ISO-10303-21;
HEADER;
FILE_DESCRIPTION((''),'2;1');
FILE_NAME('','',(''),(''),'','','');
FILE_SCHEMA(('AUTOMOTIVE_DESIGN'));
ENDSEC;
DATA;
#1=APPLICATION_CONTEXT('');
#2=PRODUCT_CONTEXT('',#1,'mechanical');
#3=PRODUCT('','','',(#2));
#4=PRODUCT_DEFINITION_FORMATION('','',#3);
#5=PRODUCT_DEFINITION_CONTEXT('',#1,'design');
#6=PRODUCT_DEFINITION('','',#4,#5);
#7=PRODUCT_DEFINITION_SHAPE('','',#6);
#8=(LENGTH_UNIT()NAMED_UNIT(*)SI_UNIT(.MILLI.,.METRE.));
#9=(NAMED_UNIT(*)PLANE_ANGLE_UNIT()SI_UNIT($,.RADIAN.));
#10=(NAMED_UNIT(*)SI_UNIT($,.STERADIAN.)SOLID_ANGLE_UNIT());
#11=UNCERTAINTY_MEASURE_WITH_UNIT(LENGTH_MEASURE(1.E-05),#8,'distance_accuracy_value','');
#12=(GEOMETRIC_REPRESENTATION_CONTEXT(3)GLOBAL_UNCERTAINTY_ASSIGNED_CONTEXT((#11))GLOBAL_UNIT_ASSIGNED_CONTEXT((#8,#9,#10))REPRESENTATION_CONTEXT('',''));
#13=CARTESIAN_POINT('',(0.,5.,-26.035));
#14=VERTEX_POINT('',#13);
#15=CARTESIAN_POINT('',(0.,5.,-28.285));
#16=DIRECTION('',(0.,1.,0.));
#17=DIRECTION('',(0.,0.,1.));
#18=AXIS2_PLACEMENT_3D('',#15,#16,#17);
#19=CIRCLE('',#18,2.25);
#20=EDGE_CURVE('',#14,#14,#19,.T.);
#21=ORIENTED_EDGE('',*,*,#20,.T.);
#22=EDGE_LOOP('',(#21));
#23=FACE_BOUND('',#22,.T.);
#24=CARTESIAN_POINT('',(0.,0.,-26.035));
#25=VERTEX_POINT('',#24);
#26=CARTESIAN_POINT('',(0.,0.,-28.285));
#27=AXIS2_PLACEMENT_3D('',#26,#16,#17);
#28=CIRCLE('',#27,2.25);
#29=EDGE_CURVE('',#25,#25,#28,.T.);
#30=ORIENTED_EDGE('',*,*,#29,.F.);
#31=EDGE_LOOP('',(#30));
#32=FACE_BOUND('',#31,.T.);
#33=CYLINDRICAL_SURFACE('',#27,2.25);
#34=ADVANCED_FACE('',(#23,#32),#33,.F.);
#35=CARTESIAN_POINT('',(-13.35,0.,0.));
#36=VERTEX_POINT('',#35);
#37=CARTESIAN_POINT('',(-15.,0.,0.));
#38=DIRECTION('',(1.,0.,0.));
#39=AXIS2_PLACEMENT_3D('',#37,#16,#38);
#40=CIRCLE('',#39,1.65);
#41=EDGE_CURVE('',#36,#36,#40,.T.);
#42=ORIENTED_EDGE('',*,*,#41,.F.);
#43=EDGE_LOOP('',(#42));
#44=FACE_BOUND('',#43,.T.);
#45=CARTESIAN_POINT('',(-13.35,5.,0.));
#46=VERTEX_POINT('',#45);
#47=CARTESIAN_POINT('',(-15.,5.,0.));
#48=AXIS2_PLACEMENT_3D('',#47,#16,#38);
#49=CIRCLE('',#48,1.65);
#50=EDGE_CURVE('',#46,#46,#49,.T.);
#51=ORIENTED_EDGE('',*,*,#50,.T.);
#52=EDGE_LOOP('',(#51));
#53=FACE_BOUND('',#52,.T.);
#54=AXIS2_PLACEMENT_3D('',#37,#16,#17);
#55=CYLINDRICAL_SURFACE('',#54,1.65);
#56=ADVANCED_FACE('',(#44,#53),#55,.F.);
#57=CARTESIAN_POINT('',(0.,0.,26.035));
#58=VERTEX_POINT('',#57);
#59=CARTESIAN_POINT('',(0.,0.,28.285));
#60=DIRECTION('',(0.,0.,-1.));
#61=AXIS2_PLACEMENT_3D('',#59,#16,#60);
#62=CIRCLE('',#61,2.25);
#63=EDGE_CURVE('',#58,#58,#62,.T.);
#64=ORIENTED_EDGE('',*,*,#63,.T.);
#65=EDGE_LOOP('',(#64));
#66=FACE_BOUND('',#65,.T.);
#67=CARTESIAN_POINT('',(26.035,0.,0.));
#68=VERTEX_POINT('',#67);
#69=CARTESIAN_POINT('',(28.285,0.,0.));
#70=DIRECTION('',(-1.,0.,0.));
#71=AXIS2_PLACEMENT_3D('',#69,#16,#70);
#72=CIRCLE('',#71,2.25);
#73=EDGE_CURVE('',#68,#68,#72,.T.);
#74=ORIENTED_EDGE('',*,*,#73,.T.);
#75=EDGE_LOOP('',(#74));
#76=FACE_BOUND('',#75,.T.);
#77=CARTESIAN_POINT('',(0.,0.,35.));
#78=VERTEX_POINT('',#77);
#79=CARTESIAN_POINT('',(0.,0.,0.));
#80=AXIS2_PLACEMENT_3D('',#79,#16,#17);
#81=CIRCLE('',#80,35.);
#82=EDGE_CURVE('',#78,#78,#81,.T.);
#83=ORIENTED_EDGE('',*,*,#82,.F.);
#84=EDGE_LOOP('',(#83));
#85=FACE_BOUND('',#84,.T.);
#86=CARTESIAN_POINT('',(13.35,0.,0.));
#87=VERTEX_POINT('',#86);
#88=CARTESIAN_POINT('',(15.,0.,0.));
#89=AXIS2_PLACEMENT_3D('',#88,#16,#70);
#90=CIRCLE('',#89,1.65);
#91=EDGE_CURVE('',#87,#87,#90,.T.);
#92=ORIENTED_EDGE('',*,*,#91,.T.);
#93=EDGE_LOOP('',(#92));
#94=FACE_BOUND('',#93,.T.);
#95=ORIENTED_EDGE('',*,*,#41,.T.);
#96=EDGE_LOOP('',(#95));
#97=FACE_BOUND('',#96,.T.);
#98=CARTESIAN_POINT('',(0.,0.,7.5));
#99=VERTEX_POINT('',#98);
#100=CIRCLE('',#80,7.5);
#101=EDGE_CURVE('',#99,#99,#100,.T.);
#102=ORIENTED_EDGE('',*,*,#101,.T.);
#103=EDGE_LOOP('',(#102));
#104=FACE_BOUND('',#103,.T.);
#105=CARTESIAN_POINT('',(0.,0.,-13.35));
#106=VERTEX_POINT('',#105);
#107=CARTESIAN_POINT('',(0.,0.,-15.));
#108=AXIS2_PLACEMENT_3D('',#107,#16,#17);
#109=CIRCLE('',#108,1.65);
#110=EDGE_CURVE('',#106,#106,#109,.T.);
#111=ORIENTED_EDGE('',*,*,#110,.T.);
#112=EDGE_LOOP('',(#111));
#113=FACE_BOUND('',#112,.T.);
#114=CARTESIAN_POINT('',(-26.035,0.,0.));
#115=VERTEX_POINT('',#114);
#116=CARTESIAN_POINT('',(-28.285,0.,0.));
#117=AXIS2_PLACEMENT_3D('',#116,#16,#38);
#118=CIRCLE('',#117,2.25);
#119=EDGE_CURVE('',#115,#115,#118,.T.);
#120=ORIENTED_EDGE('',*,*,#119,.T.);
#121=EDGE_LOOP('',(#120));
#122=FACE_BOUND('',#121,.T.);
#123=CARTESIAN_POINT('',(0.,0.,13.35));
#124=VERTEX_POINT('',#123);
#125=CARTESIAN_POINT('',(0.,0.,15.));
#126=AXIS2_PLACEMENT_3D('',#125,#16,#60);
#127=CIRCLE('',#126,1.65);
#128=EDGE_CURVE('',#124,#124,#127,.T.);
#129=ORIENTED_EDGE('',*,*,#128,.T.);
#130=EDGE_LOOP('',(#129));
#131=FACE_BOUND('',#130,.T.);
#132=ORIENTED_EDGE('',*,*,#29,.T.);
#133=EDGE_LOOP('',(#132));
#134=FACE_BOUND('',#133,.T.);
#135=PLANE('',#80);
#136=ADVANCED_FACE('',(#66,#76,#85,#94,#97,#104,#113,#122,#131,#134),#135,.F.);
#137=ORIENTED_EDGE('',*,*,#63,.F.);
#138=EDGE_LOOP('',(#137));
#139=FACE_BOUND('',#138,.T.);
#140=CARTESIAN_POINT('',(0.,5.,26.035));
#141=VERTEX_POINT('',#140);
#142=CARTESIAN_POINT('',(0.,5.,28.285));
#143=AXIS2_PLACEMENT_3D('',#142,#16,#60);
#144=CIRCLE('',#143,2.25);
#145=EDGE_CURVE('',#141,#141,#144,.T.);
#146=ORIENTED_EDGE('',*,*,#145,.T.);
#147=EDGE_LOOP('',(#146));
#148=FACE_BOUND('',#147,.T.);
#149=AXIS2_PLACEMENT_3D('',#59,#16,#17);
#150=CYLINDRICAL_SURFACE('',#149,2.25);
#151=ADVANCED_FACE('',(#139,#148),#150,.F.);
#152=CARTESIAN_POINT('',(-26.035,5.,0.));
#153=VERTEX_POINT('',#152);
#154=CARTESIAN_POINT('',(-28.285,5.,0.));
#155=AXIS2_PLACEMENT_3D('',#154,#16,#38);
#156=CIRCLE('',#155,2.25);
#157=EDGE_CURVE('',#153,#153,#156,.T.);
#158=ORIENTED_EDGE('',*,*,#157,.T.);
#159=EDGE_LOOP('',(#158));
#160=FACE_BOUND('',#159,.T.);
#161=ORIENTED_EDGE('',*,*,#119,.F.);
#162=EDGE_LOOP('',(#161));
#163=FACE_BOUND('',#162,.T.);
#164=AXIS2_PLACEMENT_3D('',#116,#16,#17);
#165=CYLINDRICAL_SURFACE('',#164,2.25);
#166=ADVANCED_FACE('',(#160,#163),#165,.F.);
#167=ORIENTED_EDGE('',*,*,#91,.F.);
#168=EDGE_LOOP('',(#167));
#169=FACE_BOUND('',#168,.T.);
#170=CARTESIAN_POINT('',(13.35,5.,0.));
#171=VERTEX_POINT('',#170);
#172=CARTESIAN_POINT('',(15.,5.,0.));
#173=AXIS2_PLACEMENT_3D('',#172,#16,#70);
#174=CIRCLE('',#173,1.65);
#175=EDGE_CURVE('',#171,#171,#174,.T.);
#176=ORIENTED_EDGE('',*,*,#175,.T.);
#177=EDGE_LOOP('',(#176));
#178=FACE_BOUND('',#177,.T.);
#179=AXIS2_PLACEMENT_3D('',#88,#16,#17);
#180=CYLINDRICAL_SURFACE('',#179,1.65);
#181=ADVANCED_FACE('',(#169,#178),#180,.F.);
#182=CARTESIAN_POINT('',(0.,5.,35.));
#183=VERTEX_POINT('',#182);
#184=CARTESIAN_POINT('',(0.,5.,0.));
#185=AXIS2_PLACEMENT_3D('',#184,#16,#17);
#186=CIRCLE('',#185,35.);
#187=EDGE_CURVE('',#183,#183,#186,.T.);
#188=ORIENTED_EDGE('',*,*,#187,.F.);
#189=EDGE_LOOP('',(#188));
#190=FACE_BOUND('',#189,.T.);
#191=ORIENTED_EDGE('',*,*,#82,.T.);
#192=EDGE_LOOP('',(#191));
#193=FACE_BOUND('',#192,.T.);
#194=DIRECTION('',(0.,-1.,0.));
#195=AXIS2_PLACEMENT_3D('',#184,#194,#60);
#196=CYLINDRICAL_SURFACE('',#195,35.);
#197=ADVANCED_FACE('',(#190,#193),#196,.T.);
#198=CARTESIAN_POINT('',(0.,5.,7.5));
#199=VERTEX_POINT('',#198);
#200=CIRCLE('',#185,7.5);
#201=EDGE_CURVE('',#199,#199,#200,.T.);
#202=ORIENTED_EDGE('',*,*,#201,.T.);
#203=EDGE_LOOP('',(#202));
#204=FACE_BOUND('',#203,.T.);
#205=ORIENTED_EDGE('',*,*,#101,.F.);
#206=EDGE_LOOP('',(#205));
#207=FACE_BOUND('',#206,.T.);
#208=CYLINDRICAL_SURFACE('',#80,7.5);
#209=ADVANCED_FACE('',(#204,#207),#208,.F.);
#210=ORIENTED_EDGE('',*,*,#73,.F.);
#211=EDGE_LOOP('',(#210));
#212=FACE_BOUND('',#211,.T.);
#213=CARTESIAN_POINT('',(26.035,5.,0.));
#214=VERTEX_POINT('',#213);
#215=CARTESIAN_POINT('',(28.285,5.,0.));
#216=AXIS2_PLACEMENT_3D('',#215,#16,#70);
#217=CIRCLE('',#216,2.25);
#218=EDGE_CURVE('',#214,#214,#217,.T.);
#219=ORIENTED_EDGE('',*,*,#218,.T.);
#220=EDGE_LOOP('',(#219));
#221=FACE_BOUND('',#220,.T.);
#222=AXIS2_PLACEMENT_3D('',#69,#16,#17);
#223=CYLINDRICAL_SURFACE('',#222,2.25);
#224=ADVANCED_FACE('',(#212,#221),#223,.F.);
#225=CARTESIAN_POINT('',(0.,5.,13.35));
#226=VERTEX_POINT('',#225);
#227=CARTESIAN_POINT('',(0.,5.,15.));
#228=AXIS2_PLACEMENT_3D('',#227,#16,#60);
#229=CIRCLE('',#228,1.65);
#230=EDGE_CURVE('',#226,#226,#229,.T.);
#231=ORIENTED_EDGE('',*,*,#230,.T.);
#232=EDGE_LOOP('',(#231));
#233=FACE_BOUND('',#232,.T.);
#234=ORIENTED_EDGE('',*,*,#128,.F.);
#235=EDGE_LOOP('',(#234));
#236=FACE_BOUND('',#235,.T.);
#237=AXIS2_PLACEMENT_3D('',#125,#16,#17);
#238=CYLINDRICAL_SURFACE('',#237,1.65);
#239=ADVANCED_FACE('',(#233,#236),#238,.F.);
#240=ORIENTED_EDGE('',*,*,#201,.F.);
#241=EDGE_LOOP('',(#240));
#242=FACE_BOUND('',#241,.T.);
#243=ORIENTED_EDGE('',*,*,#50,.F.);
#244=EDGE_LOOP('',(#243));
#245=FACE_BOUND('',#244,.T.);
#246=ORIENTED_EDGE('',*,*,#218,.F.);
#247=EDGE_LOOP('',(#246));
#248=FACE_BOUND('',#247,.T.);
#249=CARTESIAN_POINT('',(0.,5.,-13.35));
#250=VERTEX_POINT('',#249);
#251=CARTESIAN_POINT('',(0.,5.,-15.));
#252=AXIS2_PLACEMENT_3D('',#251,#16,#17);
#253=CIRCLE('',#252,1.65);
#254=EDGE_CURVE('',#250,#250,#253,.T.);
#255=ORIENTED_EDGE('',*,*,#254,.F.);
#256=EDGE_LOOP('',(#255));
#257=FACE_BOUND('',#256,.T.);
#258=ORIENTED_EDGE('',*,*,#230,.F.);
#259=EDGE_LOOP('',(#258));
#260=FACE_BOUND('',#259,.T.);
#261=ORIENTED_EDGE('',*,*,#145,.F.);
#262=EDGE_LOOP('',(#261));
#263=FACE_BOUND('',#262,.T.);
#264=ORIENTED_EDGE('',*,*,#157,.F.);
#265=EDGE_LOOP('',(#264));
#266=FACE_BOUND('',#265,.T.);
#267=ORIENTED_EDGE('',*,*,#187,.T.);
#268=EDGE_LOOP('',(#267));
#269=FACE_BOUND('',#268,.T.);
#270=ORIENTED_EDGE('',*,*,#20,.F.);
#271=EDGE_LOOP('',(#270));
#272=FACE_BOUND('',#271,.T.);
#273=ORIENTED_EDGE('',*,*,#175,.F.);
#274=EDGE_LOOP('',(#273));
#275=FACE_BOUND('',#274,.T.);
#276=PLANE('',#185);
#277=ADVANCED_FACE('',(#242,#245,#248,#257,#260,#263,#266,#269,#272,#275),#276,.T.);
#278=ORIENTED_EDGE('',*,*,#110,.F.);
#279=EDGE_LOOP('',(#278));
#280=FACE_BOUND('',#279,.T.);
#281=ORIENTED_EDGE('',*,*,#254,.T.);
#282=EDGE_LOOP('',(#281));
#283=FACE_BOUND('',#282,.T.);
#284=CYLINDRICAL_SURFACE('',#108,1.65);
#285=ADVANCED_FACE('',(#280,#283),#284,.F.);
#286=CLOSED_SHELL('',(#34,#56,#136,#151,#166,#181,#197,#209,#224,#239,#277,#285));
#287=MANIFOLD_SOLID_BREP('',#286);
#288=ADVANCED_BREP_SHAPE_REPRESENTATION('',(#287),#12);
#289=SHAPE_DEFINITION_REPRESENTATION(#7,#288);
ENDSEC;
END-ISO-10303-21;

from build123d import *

# Parameters (mm, degrees)
SKETCH1_R           = 35
BOSS_EXTRUDE1_DEPTH = 5
SKETCH2_R           = 2.25
CUT_EXTRUDE1_DEPTH  = 5
CIRPATTERN2_COUNT   = 4
SKETCH3_R           = 1.65
CUT_EXTRUDE2_DEPTH  = 5
CIRPATTERN3_COUNT   = 4
SKETCH4_R           = 7.5
CUT_EXTRUDE3_DEPTH  = 50.749371855


with BuildPart() as part:
    # Sketch1 → Boss-Extrude1 (new body)
    with BuildSketch(Plane(origin=(0, 0, 0), x_dir=(1, 0, 0), z_dir=(0, 1, 0))):
        with Locations(Location((0, 0, 0), (0, 0, 270))):
            Circle(SKETCH1_R)
    extrude(amount=BOSS_EXTRUDE1_DEPTH)

    # Sketch2 → Cut-Extrude1 (cut)
    with BuildSketch(Plane(origin=(0, 5, 0), x_dir=(1, 0, 0), z_dir=(0, 1, 0))):
        with Locations(Location((0, 28.285, 0), (0, 0, 270))):
            Circle(SKETCH2_R)
    cut_extrude1 = extrude(amount=-CUT_EXTRUDE1_DEPTH, mode=Mode.SUBTRACT)

    # CirPattern2: Cut-Extrude1 ×4 about axis
    cirpattern2_axis = Axis((0, 0, 0), (0, 1, 0))
    for i in range(1, CIRPATTERN2_COUNT):
        add(cut_extrude1.rotate(cirpattern2_axis, i * 360 / CIRPATTERN2_COUNT), mode=Mode.SUBTRACT)

    # Sketch3 → Cut-Extrude2 (cut)
    with BuildSketch(Plane(origin=(0, 5, 0), x_dir=(1, 0, 0), z_dir=(0, 1, 0))):
        with Locations(Location((0, 15, 0), (0, 0, 270))):
            Circle(SKETCH3_R)
    cut_extrude2 = extrude(amount=-CUT_EXTRUDE2_DEPTH, mode=Mode.SUBTRACT)

    # CirPattern3: Cut-Extrude2 ×4 about axis
    cirpattern3_axis = Axis((0, 0, 0), (0, 1, 0))
    for i in range(1, CIRPATTERN3_COUNT):
        add(cut_extrude2.rotate(cirpattern3_axis, i * 360 / CIRPATTERN3_COUNT), mode=Mode.SUBTRACT)

    # Sketch4 → Cut-Extrude3 (cut, through all)
    with BuildSketch(Plane(origin=(0, 5, 0), x_dir=(1, 0, 0), z_dir=(0, 1, 0))):
        with Locations(Location((0, 0, 0), (0, 0, 270))):
            Circle(SKETCH4_R)
    extrude(amount=-CUT_EXTRUDE3_DEPTH, mode=Mode.SUBTRACT)


solid = part.part
